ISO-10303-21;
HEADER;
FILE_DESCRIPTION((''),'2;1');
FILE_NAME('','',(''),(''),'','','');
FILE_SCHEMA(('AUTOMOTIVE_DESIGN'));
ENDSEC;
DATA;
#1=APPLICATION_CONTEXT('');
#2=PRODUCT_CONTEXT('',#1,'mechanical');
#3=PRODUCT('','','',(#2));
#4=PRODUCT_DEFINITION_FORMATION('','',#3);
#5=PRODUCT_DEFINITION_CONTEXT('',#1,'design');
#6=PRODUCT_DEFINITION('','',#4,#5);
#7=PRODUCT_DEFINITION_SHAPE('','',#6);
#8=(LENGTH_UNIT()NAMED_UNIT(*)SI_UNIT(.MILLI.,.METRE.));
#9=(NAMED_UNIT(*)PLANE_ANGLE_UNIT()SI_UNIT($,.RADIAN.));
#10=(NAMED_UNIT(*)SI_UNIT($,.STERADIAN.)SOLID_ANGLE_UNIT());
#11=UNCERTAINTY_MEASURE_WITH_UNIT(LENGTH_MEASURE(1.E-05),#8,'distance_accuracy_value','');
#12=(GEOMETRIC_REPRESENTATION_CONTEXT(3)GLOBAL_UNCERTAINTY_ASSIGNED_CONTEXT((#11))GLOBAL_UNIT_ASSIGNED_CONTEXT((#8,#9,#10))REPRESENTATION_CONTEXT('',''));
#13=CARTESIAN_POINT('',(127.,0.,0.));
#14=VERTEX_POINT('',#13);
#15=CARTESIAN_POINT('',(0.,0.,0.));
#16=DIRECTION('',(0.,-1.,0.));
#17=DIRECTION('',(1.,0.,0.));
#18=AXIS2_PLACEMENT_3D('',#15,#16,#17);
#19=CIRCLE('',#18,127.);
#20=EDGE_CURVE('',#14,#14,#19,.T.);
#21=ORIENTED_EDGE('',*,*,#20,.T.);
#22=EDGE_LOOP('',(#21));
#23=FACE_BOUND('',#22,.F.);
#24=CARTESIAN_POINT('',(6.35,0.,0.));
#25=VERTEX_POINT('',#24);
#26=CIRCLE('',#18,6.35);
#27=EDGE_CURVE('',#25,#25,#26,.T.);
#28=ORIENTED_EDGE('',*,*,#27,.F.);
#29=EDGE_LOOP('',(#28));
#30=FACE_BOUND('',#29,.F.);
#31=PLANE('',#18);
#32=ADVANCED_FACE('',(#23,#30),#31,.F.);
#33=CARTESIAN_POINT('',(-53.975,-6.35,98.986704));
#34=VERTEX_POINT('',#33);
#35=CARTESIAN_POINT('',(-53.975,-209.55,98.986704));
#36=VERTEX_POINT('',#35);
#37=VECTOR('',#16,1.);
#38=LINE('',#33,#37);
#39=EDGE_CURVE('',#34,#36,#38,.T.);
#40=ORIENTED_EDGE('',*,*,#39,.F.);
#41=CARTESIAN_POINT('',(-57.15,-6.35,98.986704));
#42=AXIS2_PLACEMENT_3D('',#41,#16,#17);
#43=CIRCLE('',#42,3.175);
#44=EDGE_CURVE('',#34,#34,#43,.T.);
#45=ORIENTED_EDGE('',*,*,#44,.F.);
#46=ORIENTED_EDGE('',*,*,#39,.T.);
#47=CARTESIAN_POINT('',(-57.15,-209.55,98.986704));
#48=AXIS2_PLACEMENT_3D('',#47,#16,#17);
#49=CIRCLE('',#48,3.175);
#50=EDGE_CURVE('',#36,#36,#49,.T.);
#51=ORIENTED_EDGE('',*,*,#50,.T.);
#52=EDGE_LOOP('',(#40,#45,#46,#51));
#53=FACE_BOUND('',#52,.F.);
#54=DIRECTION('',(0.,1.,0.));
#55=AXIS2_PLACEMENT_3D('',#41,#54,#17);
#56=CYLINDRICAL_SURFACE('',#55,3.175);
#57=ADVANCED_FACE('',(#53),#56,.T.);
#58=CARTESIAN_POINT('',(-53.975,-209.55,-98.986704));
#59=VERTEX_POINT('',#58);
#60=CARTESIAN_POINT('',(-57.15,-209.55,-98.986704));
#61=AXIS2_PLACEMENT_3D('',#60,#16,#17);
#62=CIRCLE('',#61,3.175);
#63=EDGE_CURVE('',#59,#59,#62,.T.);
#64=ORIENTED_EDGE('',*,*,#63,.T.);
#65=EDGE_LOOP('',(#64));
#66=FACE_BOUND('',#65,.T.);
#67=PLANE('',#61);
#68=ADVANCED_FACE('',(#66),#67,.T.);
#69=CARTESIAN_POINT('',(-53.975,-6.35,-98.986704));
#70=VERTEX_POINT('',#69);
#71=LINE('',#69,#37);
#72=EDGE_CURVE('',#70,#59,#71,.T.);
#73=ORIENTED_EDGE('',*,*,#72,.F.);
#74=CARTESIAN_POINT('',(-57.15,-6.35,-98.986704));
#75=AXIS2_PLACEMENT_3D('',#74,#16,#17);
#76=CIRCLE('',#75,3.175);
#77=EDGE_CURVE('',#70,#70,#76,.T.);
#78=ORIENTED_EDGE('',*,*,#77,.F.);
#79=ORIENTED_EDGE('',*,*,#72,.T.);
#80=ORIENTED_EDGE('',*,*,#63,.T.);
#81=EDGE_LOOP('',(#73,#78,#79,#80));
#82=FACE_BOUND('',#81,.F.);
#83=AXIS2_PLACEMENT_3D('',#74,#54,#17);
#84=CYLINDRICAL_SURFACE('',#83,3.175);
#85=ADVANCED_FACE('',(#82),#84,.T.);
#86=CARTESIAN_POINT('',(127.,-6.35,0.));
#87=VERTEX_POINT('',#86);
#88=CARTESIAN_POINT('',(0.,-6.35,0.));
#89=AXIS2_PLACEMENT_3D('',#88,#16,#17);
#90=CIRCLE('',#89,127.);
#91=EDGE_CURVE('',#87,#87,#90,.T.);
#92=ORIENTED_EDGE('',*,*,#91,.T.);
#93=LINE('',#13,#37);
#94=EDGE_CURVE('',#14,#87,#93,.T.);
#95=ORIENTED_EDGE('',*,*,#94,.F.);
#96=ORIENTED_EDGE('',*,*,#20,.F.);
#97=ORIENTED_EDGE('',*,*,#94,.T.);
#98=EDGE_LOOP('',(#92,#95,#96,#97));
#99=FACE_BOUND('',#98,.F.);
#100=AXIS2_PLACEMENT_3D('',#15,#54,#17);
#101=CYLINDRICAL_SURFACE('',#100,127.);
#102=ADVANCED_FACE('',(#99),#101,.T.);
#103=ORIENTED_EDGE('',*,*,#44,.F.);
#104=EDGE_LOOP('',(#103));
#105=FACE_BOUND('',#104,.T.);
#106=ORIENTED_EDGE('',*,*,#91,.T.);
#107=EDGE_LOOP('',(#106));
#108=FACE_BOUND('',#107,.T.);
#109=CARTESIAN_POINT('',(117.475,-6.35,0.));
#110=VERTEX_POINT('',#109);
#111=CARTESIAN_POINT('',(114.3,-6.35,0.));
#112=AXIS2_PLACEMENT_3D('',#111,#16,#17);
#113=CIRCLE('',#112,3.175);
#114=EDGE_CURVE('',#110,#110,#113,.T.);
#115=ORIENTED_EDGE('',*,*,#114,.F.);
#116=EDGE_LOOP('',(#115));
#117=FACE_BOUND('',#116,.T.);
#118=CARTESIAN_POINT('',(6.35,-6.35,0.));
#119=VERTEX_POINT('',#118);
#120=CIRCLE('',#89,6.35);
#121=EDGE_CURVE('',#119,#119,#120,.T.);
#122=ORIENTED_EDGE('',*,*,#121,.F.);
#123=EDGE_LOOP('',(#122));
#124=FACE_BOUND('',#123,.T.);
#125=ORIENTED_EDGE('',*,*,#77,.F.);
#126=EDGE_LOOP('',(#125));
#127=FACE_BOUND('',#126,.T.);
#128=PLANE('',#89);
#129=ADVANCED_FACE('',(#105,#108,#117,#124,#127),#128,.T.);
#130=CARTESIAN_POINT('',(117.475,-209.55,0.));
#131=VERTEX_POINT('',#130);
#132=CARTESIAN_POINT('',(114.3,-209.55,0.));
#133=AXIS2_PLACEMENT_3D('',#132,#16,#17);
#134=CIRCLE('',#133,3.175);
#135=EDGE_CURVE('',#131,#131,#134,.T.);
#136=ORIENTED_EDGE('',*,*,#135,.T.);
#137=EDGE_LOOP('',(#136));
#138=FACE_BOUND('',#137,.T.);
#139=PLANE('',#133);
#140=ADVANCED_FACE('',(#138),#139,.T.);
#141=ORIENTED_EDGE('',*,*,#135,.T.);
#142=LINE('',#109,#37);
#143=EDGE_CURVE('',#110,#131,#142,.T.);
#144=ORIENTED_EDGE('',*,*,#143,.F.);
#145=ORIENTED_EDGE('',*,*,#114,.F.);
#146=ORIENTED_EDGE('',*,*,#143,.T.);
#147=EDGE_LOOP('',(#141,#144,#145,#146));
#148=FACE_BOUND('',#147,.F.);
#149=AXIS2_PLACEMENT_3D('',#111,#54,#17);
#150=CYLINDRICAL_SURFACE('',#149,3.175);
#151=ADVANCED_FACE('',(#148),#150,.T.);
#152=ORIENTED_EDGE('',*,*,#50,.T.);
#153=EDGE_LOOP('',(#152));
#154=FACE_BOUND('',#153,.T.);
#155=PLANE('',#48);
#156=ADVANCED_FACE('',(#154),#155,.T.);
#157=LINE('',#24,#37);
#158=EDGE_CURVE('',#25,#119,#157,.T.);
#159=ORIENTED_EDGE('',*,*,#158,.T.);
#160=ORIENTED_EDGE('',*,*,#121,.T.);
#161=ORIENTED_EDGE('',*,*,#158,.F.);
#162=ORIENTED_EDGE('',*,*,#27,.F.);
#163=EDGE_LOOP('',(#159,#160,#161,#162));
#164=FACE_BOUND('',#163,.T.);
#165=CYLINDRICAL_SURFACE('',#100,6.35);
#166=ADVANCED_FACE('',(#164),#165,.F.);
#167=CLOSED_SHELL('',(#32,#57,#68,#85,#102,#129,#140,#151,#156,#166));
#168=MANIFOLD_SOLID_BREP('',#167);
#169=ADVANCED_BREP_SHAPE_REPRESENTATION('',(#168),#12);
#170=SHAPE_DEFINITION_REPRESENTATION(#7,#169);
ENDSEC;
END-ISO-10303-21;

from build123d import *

# Parameters (mm, degrees)
F0_R     = 127
F0_R_2   = 6.35
F1_DEPTH = 6.35
F2_R     = 3.175
F3_DEPTH = 203.2


with BuildPart() as f1:
    # F0 (on Front) → F1 (new body)
    with BuildSketch(Plane.XZ):
        Circle(F0_R)
        Circle(F0_R_2, mode=Mode.SUBTRACT)
    extrude(amount=F1_DEPTH)

    # F2 (on face) → F3 (join)
    with BuildSketch(Plane.XZ.offset(6.35)):
        with Locations((114.3, 0)):
            Circle(F2_R)
        with Locations((-57.15, 98.986704)):
            Circle(F2_R)
        with Locations((-57.15, -98.986704)):
            Circle(F2_R)
    extrude(amount=F3_DEPTH)


solid = f1.part
